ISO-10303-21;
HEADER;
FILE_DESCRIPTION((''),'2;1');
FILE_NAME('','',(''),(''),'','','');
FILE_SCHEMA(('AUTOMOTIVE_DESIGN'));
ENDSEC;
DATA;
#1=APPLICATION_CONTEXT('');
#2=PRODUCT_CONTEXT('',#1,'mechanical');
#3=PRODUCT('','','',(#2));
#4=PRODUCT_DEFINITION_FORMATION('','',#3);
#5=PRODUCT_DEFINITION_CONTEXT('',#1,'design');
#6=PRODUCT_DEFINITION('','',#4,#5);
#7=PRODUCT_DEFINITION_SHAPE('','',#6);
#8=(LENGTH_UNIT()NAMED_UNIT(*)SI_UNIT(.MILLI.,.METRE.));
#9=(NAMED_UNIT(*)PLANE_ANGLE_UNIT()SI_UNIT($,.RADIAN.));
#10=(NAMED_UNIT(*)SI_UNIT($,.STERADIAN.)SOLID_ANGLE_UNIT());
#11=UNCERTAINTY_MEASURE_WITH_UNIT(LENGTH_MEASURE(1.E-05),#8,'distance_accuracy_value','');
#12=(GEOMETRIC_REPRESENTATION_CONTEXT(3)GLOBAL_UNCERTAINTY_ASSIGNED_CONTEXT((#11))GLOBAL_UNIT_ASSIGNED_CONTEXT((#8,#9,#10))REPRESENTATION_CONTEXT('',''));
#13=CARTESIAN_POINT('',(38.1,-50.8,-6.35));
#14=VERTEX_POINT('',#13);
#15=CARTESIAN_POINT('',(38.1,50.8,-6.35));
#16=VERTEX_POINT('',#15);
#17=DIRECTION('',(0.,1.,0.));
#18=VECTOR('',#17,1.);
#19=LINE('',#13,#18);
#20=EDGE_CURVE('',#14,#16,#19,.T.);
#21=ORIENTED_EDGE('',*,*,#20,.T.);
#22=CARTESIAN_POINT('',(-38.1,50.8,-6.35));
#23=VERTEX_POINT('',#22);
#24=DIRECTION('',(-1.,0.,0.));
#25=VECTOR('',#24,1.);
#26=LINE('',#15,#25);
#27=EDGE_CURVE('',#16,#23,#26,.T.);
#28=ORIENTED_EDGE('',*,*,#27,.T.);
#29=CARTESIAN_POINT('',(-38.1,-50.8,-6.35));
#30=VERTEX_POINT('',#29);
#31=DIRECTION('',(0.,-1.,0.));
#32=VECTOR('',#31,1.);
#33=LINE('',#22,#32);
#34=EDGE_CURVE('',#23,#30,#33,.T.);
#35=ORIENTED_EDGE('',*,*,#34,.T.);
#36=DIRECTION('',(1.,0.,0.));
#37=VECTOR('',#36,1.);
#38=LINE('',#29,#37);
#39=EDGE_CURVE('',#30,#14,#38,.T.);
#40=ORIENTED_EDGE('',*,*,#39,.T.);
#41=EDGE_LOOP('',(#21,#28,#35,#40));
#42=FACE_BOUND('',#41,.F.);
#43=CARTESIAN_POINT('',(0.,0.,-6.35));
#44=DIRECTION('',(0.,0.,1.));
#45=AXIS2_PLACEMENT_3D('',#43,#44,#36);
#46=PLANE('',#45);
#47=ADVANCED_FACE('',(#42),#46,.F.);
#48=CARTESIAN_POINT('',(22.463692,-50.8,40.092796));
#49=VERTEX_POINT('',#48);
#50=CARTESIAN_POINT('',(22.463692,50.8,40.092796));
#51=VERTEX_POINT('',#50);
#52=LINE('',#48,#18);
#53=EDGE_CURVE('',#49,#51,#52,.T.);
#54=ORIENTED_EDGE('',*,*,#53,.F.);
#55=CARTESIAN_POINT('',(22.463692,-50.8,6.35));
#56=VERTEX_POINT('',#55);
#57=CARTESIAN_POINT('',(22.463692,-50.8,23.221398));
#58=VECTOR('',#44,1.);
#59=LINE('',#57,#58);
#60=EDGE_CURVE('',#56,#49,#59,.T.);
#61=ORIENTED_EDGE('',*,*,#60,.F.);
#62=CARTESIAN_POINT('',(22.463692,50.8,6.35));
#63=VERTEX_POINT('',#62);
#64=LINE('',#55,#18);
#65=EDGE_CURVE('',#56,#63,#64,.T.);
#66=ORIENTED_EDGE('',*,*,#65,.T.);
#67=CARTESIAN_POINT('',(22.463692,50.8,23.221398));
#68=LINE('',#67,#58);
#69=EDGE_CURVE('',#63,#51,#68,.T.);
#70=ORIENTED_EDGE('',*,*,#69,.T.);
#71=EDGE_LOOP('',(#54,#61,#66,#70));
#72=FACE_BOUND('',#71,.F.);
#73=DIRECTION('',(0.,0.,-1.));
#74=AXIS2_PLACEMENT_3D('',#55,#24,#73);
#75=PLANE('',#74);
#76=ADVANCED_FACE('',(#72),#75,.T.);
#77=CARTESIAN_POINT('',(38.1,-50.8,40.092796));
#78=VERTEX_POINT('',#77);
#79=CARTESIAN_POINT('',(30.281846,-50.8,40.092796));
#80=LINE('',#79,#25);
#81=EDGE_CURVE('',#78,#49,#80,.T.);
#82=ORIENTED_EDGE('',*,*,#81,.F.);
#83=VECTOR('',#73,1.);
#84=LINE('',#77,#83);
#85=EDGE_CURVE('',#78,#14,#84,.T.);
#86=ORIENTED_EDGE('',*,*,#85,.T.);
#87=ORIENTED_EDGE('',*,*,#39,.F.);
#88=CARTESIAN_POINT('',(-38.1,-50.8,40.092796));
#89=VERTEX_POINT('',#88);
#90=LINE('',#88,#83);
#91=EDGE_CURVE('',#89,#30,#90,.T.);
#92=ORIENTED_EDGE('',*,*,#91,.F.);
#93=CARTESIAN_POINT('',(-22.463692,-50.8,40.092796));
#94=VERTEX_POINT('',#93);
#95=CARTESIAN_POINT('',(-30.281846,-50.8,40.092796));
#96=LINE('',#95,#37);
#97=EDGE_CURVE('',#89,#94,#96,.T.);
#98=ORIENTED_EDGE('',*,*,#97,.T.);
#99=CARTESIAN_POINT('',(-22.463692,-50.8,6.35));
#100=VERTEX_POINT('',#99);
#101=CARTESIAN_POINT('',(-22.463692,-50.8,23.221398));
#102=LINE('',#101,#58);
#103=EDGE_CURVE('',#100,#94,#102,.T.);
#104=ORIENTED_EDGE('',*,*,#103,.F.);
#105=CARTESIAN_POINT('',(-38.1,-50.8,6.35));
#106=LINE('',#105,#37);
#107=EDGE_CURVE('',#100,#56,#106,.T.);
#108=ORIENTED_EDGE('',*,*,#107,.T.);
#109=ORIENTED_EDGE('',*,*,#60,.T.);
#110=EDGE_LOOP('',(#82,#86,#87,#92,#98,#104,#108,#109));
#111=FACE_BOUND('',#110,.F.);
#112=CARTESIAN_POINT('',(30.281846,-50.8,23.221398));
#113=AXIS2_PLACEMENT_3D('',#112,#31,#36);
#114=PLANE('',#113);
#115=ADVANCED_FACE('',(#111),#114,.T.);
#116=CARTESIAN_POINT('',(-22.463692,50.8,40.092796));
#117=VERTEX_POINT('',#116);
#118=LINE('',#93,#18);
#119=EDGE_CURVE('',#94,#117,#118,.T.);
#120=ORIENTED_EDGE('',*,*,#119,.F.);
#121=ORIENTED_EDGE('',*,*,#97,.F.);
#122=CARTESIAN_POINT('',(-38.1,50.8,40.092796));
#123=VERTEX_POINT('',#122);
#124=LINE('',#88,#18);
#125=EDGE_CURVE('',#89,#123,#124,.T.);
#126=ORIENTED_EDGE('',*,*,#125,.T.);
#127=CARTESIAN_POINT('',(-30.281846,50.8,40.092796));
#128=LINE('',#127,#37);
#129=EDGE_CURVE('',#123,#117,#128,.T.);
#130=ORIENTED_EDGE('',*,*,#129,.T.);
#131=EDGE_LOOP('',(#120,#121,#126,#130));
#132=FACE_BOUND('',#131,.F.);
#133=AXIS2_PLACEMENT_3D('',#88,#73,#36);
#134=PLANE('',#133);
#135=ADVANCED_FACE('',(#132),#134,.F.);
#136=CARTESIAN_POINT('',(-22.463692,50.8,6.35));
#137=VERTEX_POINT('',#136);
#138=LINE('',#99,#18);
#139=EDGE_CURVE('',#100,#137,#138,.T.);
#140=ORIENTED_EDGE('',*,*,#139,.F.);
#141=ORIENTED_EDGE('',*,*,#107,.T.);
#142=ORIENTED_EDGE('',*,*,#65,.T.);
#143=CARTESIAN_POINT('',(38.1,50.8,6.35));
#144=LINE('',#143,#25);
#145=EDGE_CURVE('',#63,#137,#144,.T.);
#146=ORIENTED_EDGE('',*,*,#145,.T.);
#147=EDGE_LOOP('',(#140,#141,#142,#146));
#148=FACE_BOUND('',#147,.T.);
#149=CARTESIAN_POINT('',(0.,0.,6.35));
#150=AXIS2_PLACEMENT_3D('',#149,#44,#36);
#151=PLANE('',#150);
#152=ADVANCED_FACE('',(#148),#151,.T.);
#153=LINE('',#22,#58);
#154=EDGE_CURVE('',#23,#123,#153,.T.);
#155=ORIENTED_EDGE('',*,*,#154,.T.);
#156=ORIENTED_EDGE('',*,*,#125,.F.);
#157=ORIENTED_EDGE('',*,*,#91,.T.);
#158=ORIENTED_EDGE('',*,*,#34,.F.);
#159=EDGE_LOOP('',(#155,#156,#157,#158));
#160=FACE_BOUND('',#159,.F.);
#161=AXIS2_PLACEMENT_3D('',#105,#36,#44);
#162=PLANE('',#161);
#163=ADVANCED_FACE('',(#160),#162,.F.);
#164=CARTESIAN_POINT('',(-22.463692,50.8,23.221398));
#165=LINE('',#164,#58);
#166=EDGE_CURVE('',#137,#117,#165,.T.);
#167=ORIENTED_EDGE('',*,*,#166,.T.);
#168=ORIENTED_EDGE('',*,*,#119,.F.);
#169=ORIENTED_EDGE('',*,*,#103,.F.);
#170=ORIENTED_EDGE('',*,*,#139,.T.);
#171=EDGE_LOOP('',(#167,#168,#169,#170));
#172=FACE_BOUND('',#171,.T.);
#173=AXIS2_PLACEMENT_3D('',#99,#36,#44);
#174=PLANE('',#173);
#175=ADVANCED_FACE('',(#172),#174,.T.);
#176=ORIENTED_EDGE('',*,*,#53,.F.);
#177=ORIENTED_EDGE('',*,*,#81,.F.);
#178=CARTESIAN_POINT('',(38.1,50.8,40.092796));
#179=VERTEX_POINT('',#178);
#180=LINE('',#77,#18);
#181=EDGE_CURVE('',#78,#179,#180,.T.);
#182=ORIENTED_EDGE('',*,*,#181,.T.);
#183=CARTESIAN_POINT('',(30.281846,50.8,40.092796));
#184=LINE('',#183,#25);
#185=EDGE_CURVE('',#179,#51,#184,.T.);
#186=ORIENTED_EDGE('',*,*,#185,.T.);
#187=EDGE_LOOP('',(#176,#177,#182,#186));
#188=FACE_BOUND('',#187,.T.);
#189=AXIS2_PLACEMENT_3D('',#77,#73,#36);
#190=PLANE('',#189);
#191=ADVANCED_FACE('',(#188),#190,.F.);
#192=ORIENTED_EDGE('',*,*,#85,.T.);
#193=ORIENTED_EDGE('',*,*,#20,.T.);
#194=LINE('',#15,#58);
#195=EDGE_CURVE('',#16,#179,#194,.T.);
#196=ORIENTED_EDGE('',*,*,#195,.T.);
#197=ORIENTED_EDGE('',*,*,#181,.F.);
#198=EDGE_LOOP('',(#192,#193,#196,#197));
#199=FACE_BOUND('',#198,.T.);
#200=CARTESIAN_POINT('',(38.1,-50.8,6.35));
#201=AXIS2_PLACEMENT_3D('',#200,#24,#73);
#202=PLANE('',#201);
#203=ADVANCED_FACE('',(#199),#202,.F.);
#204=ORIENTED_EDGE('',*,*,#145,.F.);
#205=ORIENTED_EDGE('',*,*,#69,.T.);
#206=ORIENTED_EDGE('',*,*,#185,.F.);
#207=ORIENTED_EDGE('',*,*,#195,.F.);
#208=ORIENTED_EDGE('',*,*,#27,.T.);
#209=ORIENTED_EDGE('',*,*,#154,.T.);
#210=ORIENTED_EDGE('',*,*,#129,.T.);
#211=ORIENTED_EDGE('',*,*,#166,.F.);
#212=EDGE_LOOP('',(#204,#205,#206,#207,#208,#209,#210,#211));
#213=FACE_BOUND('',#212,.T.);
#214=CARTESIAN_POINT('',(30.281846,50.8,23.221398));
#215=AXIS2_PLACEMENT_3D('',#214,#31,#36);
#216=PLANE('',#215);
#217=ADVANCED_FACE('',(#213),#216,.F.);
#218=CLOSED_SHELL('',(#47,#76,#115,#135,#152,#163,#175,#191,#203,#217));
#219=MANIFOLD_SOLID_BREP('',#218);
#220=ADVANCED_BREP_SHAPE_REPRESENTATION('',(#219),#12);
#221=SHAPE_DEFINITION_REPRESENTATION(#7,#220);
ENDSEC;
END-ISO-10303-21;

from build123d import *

# Parameters (mm, degrees)
F1_DEPTH = 6.35
F2_W     = 15.6363076478
F2_H     = 33.7427960873
F3_DEPTH = 101.6


with BuildPart() as f1:
    # F0 (on Top) → F1 (new body, symmetric)
    with BuildSketch(Plane.XY):
        Polygon((38.1, 50.8), (0, 50.8), (-38.1, 50.8), (-38.1, 0), (-38.1, -50.8), (0, -50.8), (38.1, -50.8), (38.1, 0), align=None)
    extrude(amount=F1_DEPTH, both=True)

    # F2 (on face) → F3 (join)
    with BuildSketch(Plane.XZ.offset(50.8)):
        with Locations((-30.2818461761, 23.2213980436)):
            Rectangle(F2_W, F2_H)
    extrude(amount=-F3_DEPTH)

    # F4: F1 across plane


with BuildPart() as f1_1:
    add(f1.part)
    add(f1.part.mirror(Plane.YZ))


solid = f1_1.part
